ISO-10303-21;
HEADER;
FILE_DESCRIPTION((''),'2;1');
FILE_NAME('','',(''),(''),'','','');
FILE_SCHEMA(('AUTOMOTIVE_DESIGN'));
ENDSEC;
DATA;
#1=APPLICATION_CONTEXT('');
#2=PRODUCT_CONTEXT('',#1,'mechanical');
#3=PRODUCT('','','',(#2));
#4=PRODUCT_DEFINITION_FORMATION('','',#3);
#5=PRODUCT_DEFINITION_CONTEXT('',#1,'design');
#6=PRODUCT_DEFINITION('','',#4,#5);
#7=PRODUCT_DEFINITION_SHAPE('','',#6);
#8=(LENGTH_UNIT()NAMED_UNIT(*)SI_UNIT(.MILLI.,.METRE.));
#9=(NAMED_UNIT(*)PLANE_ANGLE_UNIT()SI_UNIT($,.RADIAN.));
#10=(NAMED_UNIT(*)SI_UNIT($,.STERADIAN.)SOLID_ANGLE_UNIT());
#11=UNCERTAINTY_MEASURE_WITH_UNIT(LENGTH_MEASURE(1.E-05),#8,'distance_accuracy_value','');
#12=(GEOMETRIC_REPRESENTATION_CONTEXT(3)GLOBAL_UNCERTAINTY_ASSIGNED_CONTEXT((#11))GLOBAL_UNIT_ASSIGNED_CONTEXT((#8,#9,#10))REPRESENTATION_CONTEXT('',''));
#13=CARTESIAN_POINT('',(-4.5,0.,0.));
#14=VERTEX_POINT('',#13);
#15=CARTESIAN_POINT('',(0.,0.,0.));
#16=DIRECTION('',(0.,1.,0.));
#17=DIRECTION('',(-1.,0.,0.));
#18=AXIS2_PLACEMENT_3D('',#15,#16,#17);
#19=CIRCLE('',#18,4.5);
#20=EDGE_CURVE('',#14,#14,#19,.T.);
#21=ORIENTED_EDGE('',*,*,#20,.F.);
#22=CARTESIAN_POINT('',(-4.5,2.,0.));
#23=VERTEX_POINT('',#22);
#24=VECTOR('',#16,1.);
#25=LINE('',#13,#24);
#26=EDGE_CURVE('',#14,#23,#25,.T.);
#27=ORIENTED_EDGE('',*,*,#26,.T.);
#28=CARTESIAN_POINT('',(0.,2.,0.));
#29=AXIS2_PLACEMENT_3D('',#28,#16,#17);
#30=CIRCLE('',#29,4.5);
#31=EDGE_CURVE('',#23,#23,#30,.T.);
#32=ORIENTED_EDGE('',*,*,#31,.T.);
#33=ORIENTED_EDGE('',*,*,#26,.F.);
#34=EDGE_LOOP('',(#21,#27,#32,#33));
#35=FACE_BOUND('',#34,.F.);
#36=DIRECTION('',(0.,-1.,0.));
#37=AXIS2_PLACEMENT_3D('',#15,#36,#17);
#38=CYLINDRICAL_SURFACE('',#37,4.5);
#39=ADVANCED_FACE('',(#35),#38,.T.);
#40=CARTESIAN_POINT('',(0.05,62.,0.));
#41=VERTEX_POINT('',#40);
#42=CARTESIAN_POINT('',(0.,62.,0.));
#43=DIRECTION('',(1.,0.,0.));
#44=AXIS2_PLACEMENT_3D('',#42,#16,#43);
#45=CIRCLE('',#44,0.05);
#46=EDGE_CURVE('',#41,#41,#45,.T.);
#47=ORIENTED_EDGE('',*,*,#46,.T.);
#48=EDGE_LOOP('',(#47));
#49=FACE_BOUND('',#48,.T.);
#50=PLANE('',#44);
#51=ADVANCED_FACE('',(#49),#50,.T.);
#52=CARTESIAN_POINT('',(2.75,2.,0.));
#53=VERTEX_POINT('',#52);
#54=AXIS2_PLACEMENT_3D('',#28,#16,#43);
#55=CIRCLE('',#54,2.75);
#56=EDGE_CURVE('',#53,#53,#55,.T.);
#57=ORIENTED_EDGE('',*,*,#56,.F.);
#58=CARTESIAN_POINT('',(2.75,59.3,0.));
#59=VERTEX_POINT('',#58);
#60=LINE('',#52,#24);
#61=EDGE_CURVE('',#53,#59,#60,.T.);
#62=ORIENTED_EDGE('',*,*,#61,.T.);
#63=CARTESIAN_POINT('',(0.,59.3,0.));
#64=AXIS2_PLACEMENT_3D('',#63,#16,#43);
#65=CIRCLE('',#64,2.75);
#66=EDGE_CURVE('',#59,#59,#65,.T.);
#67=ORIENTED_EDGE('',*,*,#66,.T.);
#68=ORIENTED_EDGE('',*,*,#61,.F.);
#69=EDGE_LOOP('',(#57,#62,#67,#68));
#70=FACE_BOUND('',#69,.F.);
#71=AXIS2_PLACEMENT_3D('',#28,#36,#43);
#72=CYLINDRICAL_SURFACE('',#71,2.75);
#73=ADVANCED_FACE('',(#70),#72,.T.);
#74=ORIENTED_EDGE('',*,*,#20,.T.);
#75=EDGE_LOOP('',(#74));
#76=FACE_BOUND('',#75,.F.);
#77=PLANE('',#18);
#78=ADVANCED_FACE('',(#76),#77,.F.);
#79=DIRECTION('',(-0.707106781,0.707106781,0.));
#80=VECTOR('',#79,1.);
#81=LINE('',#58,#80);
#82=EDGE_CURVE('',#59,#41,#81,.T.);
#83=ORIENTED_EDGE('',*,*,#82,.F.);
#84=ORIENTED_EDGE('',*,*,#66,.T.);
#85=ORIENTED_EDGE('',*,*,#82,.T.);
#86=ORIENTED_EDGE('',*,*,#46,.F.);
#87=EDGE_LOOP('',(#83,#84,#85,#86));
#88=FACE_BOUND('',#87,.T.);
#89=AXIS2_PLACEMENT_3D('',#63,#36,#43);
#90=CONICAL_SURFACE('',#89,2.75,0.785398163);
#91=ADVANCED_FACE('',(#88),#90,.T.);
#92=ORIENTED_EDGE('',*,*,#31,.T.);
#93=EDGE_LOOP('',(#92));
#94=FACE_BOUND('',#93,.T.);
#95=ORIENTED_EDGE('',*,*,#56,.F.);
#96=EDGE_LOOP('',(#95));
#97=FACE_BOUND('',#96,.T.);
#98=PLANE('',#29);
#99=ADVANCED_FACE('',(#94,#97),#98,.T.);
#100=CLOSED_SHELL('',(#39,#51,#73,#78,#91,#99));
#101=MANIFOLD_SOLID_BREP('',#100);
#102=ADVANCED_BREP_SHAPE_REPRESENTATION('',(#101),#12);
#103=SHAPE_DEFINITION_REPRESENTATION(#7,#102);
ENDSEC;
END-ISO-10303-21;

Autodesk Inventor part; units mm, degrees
ref_plane "YZ Plane" through (0, 0, 0) normal (1, 0, 0) x (0, 1, 0)
ref_plane "XZ Plane" through (0, 0, 0) normal (0, 1, 0) x (-1, 0, 0)
ref_plane "XY Plane" through (0, 0, 0) normal (0, 0, 1) x (1, 0, 0)
sketch "Sketch1" plane through (0, 0, 0) normal (0, 1, 0) x (-1, 0, 0)
  circle A0 centre (0, 0) radius 4.5
  dimension "d0" = 9
extrude "Extrusion1" add sketch "Sketch1" along normal blind 2
sketch "Sketch2" plane through (0, 2, 0) normal (0, 1, 0) x (1, 0, 0)
  circle A0 centre (0, 0) radius 2.75
  dimension "d3" = 5.5
extrude "Extrusion2" add sketch "Sketch2" along normal blind 60
chamfer "Chamfer1" distance 2.7 angle 45 1 edges at (-2.75, 62, 0)
properties part number "Fan_Pin"
